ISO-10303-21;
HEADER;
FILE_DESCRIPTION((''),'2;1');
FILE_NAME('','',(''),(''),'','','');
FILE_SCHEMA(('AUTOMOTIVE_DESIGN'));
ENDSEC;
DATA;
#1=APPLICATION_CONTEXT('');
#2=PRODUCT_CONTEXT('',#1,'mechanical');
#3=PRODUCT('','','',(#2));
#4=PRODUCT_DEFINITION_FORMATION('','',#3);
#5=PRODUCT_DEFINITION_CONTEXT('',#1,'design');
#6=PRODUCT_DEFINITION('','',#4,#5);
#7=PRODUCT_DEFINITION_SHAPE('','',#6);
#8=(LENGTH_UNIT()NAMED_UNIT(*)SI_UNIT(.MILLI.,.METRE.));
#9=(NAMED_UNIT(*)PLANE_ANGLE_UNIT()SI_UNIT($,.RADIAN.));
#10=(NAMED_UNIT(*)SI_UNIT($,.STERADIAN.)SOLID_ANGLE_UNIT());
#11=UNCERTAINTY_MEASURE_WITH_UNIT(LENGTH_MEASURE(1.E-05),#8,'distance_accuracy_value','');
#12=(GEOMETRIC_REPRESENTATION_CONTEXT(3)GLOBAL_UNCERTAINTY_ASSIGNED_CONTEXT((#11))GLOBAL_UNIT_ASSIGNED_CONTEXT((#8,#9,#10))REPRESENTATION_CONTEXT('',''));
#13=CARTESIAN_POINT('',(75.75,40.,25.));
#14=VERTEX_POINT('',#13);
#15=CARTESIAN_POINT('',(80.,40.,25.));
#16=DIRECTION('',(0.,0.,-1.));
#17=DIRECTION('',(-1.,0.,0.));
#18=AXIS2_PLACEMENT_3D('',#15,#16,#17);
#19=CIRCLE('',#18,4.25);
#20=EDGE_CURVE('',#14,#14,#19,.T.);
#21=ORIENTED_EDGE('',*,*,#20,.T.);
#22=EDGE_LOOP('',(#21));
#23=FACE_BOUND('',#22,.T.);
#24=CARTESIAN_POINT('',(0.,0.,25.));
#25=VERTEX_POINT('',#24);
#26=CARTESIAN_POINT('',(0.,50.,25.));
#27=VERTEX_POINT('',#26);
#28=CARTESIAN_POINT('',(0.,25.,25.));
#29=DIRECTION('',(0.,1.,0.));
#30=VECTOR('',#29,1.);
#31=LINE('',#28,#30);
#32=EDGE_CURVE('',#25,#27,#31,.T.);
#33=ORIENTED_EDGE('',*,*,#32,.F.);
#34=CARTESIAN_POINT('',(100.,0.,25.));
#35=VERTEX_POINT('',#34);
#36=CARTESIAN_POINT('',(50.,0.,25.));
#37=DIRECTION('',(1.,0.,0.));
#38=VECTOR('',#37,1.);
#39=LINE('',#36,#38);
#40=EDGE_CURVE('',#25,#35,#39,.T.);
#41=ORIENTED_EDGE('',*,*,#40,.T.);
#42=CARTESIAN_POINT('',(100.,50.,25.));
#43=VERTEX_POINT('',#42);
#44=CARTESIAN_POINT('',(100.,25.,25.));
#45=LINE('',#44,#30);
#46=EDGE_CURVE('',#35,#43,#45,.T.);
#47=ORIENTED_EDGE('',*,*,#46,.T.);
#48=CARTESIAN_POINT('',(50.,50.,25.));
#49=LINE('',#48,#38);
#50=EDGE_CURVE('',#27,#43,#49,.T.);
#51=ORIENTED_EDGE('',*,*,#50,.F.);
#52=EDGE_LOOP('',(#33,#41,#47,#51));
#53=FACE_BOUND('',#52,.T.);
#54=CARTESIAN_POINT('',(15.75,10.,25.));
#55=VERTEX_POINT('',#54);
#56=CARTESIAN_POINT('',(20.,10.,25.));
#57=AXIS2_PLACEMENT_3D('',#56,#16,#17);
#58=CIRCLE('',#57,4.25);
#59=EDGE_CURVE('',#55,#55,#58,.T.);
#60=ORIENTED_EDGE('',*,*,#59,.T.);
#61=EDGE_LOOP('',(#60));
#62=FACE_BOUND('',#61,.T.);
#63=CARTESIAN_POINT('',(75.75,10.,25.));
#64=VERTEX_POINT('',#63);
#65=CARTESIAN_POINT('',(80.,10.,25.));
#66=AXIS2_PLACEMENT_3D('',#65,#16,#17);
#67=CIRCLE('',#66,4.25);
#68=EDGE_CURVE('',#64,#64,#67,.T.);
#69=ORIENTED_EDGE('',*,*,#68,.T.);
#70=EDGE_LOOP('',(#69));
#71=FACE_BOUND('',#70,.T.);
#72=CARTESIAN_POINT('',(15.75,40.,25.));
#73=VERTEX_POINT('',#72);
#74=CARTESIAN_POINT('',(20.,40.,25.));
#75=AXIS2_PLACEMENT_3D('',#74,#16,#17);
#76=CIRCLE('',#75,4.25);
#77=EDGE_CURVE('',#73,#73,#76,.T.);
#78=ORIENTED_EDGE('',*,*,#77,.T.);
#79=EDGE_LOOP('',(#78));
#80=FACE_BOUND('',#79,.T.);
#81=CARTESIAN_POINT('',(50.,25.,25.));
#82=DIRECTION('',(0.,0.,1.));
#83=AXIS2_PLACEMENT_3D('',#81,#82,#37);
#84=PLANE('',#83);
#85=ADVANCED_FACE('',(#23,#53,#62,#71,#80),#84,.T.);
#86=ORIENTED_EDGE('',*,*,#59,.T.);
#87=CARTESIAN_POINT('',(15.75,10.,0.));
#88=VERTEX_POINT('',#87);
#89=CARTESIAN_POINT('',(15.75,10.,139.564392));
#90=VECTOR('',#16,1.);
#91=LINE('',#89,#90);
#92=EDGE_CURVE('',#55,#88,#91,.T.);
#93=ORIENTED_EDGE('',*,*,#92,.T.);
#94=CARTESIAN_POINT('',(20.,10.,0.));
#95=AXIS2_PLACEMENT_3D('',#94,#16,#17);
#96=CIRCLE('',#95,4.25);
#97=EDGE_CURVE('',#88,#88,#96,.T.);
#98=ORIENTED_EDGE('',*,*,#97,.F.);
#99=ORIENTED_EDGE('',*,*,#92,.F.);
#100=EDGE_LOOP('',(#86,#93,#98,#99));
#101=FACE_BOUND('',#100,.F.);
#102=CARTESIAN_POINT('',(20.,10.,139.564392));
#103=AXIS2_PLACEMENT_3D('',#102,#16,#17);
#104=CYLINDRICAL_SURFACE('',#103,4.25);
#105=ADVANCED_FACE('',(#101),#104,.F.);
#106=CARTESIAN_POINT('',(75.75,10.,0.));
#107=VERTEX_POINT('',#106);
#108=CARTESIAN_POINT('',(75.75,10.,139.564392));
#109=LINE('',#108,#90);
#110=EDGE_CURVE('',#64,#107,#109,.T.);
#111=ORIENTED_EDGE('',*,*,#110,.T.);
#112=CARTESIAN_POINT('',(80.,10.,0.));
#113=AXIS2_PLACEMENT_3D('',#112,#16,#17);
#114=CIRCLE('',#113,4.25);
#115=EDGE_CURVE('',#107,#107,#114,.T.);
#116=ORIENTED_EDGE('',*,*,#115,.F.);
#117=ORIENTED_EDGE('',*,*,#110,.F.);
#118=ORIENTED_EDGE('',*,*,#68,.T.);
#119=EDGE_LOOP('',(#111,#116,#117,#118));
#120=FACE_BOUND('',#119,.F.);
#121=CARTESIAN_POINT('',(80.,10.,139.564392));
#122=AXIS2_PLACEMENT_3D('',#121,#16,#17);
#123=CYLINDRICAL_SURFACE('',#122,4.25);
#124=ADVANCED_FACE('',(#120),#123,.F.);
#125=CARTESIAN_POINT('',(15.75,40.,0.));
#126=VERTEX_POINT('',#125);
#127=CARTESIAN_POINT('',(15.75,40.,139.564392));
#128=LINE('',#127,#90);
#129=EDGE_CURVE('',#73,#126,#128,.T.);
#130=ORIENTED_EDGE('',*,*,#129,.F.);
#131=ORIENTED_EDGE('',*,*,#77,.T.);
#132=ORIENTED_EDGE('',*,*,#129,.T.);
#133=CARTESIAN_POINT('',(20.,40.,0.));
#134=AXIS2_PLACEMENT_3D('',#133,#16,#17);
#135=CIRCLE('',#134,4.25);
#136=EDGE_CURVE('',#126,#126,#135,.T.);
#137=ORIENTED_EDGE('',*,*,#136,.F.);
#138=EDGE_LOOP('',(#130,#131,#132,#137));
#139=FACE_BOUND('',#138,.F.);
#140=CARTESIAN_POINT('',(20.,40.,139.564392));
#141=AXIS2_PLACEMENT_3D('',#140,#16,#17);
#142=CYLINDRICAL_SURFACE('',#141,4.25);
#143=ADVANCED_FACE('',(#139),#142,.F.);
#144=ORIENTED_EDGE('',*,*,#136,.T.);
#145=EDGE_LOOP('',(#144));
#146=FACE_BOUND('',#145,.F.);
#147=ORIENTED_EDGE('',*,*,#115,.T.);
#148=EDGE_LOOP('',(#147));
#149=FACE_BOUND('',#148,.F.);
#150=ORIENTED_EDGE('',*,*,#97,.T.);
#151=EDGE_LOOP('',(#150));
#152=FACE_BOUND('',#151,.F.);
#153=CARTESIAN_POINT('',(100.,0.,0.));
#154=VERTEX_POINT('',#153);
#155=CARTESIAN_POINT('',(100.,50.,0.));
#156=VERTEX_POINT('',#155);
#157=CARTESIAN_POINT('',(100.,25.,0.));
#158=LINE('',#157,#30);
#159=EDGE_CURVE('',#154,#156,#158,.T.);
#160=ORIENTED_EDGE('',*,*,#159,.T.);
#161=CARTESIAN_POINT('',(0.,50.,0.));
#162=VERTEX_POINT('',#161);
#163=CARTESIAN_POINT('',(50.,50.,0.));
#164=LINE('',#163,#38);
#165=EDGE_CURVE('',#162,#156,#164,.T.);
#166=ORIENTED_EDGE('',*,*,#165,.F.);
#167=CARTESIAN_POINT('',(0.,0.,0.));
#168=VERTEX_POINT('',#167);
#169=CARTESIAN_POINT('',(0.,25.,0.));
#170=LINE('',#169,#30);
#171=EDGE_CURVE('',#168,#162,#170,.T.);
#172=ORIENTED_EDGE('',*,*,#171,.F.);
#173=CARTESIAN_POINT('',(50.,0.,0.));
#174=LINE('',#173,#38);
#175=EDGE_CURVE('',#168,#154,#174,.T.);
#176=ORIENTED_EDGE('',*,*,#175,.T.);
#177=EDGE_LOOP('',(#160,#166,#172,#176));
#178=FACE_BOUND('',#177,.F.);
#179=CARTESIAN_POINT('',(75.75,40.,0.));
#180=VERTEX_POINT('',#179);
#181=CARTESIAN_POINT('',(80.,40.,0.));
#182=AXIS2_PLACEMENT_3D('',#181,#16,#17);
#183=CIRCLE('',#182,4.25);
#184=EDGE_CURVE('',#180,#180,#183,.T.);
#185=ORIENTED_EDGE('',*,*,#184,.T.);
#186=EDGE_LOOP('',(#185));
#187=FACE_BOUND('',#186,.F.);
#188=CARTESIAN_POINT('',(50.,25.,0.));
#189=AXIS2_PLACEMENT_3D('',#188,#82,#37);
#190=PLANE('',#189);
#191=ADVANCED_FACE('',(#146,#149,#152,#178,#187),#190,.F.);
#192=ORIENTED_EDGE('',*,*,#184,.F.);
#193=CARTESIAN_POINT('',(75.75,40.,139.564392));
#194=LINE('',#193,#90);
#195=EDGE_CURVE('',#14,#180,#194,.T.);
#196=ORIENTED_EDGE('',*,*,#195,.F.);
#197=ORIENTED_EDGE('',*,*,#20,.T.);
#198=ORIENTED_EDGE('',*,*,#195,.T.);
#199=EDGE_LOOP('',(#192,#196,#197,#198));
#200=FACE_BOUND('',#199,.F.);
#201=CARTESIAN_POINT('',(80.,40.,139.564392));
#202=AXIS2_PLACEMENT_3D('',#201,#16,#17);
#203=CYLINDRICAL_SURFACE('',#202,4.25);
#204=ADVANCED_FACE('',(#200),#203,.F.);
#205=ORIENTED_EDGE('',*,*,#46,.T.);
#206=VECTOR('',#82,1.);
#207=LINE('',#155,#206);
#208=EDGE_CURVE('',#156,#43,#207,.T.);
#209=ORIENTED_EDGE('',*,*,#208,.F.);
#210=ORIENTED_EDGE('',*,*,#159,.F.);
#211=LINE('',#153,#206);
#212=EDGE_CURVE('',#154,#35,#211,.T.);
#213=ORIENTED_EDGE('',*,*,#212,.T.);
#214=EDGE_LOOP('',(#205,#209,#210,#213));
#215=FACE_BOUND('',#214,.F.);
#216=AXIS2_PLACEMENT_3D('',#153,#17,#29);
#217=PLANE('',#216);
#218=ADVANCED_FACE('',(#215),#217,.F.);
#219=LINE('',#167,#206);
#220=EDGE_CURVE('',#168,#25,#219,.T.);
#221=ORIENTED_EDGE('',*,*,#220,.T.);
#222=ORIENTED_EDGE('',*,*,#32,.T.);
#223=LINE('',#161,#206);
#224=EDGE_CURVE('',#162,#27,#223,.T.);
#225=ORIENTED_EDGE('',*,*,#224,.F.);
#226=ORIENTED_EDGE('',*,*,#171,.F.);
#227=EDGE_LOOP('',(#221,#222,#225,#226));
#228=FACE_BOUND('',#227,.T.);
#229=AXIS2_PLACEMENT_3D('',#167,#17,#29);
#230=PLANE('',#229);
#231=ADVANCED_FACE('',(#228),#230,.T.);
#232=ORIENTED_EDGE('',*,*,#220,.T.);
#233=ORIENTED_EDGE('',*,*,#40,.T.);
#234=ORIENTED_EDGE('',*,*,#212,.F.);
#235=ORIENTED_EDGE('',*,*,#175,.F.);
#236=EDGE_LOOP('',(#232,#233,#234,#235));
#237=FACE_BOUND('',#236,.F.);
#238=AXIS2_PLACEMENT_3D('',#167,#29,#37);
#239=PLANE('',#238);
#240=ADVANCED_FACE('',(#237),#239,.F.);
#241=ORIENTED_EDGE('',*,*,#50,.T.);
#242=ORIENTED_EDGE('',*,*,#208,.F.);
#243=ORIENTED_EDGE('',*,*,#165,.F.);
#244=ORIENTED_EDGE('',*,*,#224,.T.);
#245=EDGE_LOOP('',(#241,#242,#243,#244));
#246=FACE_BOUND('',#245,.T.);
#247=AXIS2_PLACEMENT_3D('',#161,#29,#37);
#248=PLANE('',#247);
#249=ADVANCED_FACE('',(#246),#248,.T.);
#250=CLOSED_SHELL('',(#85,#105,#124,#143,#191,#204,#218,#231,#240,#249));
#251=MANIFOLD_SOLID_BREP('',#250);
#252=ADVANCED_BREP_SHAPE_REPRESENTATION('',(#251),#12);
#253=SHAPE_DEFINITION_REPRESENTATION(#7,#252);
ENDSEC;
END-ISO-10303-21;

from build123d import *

# Parameters (mm, degrees)
F0_W     = 100
F0_H     = 50
F1_DEPTH = 25
F3_D     = 8.5


with BuildPart() as f1:
    # F0 (on Top) → F1 (new body)
    with BuildSketch(Plane.XY):
        with Locations((50, 25)):
            Rectangle(F0_W, F0_H)
    extrude(amount=F1_DEPTH)

    # F3 (through all)
    with Locations(Plane.XY.offset(25)):
        with Locations((20, 10), (20, 40), (80, 40), (80, 10)):
            Hole(F3_D / 2)


solid = f1.part
